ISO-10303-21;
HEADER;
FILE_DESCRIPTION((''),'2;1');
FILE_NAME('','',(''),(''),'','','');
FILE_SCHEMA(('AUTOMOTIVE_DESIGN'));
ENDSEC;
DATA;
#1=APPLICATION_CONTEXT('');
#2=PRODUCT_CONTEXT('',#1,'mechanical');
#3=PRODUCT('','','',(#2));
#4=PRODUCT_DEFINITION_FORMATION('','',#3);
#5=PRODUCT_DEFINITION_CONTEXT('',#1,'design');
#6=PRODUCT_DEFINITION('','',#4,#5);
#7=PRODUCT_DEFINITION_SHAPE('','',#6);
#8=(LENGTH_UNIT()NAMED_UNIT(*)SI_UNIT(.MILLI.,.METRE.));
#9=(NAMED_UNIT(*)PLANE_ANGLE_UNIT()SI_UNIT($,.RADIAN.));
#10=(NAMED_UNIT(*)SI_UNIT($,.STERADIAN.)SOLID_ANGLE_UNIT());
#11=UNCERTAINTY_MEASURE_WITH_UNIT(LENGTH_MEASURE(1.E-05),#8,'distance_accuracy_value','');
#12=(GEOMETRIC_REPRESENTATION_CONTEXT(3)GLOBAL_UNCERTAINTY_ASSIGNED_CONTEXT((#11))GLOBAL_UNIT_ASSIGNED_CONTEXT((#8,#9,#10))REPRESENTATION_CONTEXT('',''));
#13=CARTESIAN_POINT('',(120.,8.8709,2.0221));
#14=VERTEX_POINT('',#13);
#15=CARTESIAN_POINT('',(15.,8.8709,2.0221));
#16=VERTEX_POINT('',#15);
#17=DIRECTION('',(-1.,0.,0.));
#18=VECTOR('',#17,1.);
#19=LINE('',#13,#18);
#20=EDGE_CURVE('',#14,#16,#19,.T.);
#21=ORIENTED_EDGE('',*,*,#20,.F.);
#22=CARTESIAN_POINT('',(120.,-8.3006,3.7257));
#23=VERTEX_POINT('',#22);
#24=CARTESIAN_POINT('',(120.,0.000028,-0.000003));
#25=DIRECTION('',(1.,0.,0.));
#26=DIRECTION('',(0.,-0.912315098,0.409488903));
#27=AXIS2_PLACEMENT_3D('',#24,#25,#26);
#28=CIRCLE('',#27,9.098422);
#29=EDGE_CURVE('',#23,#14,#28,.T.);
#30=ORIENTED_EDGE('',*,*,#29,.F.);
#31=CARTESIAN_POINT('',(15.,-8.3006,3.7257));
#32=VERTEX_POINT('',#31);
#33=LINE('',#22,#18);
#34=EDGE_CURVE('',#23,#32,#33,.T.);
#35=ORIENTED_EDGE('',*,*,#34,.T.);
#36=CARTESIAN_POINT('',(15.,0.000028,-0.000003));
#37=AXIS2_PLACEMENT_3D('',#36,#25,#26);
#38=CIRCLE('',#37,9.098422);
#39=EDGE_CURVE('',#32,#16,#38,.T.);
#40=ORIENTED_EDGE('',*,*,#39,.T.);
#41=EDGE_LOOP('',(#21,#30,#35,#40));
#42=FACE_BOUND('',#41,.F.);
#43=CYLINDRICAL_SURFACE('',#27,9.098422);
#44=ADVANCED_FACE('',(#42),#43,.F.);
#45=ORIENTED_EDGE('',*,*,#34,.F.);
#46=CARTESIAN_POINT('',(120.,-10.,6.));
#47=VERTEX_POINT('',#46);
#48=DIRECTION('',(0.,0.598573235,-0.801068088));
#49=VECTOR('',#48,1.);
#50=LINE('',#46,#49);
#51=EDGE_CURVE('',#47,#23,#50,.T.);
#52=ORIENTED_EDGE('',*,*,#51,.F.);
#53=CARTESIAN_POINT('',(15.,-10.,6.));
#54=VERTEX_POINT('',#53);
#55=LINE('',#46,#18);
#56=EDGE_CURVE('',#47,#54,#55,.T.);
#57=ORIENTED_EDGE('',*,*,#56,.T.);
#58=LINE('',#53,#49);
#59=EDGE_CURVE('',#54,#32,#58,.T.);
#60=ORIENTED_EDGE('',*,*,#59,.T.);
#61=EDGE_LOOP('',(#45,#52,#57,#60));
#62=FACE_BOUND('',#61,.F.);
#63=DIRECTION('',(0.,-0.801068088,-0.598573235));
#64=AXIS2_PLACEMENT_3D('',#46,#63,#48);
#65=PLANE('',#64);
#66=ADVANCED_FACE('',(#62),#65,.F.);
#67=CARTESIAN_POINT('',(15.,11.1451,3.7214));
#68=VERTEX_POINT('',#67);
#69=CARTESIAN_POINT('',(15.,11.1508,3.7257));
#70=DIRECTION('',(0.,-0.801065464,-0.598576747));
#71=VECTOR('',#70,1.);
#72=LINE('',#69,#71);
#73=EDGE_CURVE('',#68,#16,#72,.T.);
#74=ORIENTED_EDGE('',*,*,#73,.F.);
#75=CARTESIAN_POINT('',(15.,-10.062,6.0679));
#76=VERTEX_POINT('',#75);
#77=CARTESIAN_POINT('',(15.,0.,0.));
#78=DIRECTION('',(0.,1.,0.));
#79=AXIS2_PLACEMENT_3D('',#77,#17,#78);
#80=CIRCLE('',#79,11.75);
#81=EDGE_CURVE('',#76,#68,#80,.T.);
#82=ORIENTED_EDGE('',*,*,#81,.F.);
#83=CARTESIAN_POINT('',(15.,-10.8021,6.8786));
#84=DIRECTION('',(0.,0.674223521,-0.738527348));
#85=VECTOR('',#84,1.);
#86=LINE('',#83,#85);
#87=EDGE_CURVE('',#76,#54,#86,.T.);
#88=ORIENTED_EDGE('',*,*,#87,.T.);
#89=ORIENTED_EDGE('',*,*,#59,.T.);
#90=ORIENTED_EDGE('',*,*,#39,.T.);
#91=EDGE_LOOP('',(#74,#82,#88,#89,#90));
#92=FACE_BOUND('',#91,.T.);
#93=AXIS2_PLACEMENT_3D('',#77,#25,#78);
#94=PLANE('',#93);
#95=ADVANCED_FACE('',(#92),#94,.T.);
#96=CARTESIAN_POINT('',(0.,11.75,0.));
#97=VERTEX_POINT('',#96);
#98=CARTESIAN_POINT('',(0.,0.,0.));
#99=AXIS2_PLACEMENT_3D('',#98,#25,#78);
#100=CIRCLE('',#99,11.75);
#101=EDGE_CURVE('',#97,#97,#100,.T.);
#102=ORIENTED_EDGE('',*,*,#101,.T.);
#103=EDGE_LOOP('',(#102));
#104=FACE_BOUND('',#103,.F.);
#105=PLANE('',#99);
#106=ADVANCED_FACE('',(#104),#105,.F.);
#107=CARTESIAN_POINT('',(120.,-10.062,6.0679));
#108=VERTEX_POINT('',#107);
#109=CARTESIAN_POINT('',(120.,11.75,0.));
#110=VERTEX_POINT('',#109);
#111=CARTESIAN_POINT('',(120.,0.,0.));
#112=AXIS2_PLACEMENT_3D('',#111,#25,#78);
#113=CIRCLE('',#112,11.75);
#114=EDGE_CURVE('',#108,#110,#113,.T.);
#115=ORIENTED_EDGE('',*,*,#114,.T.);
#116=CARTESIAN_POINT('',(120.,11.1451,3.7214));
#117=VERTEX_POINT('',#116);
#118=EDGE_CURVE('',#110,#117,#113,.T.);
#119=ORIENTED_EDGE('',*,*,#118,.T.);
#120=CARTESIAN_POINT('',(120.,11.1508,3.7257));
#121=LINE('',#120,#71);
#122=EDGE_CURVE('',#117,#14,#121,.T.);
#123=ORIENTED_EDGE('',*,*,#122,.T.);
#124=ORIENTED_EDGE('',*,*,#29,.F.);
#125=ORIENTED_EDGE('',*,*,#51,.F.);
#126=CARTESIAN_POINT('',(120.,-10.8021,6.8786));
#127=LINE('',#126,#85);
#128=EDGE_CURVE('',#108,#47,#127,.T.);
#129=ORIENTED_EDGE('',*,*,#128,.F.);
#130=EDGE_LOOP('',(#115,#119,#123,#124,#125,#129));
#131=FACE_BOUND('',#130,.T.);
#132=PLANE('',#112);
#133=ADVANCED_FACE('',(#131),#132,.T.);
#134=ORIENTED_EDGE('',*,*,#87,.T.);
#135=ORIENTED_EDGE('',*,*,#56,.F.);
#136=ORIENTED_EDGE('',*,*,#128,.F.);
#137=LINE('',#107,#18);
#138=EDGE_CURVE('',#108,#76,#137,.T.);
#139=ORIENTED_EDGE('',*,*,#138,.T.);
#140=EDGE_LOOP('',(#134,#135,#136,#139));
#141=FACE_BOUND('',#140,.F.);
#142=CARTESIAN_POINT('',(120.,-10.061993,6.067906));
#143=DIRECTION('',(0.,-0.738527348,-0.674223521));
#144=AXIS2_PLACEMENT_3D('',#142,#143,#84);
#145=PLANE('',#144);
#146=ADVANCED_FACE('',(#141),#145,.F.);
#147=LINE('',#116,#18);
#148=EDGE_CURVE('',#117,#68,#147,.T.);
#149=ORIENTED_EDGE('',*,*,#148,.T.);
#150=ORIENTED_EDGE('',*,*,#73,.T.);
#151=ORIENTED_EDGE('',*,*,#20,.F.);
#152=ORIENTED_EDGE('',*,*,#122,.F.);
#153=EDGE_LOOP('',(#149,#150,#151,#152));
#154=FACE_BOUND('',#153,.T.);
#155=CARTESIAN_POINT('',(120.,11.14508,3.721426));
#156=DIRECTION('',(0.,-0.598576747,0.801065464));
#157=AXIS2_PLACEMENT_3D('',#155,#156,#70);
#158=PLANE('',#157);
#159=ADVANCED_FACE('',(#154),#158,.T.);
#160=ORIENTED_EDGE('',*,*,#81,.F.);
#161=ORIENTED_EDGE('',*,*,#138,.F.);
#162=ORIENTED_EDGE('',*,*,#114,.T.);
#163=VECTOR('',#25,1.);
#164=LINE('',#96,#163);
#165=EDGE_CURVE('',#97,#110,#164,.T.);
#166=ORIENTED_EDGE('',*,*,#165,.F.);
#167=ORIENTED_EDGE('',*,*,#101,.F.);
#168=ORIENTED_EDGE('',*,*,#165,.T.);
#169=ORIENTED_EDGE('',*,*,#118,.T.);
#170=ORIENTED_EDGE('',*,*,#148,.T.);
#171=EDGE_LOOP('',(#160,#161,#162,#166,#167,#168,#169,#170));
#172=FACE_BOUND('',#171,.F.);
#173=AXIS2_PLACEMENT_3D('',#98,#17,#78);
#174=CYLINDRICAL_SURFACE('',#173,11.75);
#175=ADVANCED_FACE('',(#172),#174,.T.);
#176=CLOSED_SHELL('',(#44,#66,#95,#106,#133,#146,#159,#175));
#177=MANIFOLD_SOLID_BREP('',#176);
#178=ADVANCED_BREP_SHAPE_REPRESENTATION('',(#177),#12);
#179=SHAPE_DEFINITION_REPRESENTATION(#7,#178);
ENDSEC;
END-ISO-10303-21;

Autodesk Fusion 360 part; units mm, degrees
sketch "Esboço1" plane through (0, 0, 0) normal (1, 0, 0) x (0, 1, 0)
  circle A0 centre (0, 0) radius 11.75
  dimension "d1" = 23.5
extrude "Extrusão1" add sketch "Esboço1" along normal blind 120
sketch "Esboço2" plane through (120, 0, 0) normal (1, 0, 0) x (0, 1, 0)
  circle A0 centre (0, 0) radius 11.75
sketch "Esboço3" plane through (120, 0, 0) normal (1, 0, 0) x (0, 1, 0)
  line L0 (-10, 6) -> (-8.3006, 3.7257)
  line L1 (11.1508, 3.7257) -> (8.8709, 2.0221)
  arc A0 (-8.3006, 3.7257) -> (8.8709, 2.0221) centre (0, 0) ccw
  line L2 (-10.8021, 6.8786) -> (-10, 6)
  line L3 (11.8471, 4.8629) -> (11.1508, 3.7257)
  arc A1 (11.8471, 4.8629) -> (-10.8021, 6.8786) centre (0, 0) ccw
  arc A2 (-10.062, 6.0679) -> (11.1451, 3.7214) centre (0, 0) ccw
  dimension "d4" = 23.5
extrude "Extrusão2" cut sketch "Esboço3" against normal blind 105 contours L0 L1 A0 L2 L3 A1
